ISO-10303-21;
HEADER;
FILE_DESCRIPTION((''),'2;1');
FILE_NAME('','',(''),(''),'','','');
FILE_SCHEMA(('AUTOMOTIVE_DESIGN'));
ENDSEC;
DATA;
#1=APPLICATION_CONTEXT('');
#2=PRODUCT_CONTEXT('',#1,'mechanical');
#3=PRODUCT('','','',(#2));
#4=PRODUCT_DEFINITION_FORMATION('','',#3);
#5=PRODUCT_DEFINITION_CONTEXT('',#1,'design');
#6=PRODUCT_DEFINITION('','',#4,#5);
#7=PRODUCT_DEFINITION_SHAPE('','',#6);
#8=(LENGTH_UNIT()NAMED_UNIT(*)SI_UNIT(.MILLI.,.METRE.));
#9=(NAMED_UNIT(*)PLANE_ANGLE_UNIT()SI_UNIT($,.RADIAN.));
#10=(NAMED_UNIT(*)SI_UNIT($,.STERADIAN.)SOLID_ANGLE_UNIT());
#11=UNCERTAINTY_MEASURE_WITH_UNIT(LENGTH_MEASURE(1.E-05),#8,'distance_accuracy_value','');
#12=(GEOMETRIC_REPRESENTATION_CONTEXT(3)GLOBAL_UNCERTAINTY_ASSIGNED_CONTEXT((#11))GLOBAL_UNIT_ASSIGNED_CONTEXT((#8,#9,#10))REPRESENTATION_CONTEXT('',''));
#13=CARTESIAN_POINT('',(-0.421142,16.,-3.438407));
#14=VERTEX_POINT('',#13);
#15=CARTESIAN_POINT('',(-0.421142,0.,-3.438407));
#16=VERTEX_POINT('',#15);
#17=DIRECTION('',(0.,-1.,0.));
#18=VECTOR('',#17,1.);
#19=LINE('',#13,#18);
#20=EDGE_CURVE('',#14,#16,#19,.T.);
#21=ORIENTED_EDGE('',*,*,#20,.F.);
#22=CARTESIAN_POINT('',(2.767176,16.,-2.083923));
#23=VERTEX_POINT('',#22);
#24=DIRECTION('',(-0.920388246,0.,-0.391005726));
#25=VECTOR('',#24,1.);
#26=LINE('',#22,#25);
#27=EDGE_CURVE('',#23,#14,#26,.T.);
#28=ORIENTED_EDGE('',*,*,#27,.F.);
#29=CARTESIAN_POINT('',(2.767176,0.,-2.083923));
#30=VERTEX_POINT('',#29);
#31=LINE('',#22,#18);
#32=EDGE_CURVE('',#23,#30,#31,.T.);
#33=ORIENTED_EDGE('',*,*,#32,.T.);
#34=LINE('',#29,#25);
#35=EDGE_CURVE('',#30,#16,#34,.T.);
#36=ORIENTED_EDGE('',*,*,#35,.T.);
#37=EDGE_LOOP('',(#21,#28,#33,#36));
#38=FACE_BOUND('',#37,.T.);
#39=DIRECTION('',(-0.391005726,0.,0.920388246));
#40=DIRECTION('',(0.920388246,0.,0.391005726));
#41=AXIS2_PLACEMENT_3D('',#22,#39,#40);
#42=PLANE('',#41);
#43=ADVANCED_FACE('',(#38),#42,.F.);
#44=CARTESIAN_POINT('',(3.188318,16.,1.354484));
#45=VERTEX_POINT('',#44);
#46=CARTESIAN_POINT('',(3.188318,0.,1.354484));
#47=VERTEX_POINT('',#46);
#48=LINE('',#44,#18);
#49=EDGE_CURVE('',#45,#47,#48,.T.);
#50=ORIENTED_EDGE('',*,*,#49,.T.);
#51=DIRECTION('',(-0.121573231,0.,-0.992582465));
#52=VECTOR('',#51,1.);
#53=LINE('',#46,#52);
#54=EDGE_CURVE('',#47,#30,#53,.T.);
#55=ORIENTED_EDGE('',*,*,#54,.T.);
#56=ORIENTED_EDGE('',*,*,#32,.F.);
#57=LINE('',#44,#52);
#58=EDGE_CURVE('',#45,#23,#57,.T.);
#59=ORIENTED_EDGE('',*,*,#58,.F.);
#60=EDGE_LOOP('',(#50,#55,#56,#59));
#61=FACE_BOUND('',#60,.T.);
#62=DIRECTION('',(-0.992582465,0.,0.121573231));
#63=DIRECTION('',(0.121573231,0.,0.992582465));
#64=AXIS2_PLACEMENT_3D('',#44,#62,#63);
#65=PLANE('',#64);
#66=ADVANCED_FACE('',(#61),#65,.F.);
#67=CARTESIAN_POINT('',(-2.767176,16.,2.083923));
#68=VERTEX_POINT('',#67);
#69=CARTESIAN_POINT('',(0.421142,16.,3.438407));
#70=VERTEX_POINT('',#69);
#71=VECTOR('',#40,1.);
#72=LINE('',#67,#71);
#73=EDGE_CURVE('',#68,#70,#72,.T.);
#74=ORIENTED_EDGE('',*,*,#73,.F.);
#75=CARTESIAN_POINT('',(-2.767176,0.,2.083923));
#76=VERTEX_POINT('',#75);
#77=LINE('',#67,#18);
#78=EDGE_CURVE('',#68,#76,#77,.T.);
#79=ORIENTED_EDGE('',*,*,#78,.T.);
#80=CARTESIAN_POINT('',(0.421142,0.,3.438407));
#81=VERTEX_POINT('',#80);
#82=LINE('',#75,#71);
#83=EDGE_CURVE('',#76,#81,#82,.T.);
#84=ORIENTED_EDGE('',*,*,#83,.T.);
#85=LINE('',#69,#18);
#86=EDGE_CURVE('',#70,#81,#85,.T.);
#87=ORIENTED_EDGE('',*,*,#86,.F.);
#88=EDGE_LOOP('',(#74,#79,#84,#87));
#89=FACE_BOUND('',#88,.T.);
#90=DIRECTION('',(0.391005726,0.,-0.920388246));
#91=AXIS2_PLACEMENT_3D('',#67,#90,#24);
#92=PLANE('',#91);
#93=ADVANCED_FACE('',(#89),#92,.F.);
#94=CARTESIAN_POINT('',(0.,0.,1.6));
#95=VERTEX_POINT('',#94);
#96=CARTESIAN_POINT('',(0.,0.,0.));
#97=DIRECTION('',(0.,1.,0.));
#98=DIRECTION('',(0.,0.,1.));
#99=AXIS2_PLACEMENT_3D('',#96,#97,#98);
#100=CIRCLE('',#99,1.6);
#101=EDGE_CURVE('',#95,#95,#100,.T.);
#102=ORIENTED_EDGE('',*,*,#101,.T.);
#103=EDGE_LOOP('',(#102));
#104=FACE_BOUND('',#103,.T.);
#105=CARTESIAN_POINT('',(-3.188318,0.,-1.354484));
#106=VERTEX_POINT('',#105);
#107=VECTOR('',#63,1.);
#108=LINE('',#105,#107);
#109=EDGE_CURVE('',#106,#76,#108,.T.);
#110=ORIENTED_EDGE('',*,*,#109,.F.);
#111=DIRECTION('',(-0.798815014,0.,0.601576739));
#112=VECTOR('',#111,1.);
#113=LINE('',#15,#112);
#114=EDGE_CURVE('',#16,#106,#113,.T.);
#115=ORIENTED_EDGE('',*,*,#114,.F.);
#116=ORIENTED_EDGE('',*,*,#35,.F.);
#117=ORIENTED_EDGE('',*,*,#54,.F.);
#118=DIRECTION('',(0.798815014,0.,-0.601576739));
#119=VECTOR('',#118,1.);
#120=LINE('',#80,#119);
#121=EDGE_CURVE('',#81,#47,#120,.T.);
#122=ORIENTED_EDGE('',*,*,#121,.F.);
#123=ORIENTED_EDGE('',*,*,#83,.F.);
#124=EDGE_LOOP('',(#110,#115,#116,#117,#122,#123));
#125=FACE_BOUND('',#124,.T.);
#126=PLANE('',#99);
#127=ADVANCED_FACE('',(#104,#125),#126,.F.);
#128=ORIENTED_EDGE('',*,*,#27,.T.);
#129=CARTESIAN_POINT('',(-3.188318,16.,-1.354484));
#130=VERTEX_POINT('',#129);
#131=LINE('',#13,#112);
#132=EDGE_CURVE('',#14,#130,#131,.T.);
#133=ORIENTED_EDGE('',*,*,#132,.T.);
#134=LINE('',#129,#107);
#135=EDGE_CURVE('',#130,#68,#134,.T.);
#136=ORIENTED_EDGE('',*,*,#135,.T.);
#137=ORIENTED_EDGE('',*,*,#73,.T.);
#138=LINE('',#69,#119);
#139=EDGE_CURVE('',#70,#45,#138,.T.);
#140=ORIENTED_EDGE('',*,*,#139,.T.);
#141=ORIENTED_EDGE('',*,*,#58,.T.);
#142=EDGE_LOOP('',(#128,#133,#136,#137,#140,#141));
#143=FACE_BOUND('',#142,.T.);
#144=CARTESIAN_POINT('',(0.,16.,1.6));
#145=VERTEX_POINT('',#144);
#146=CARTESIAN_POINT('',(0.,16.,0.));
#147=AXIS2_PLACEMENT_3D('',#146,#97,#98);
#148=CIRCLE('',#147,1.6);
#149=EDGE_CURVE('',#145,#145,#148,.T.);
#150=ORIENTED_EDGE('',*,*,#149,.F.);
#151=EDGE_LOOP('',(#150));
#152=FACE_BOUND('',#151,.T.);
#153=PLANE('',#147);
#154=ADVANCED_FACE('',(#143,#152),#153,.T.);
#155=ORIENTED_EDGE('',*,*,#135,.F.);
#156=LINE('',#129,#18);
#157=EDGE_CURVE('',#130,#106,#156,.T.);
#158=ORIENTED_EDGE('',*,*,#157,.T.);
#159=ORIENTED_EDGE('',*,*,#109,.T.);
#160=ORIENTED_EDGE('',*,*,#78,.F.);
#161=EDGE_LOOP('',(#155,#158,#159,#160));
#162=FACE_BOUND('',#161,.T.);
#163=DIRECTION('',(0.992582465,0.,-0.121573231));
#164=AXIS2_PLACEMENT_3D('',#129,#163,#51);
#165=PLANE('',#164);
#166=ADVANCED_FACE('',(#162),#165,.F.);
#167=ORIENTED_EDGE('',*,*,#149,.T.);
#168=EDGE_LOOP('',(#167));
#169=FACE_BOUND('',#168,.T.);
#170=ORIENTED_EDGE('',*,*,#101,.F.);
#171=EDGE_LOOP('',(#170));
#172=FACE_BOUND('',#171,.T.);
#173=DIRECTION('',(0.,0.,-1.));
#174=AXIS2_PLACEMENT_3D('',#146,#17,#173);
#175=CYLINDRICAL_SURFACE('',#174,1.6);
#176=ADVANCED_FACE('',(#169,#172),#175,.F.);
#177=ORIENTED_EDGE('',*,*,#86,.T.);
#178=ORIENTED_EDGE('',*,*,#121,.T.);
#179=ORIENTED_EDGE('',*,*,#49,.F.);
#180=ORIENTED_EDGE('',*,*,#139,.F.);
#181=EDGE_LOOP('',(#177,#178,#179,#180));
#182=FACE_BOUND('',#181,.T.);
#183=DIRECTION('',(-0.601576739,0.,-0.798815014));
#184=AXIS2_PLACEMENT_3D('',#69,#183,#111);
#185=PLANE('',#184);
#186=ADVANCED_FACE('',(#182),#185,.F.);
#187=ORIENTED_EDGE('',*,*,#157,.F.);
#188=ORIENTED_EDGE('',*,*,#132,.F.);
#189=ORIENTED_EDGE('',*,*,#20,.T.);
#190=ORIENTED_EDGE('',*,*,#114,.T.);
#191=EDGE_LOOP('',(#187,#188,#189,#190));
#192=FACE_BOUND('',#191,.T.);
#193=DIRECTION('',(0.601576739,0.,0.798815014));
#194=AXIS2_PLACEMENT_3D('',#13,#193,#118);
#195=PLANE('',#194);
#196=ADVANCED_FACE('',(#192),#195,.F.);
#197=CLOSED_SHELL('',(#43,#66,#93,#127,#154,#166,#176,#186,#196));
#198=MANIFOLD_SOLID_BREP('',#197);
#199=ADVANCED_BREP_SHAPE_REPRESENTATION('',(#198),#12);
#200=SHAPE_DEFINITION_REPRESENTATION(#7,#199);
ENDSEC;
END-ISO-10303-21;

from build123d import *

# Parameters (mm, degrees)
SKETCH_1_R      = 1.6
EXTRUDE_1_DEPTH = 16


with BuildPart() as part:
    # 草图1 → 凸台-拉伸1 (new body)
    with BuildSketch(Plane(origin=(0, 0, 0), x_dir=(1, 0, 0), z_dir=(0, 1, 0))):
        Polygon((2.767176381, 2.083922954), (-0.421142027, 3.438406519), (-3.188318408, 1.354483566), (-2.767176381, -2.083922954), (0.421142027, -3.438406519), (3.188318408, -1.354483566), align=None)
        with Locations(Location((0, 0, 0), (0, 0, 270))):
            Circle(SKETCH_1_R, mode=Mode.SUBTRACT)
    extrude(amount=EXTRUDE_1_DEPTH)


solid = part.part
